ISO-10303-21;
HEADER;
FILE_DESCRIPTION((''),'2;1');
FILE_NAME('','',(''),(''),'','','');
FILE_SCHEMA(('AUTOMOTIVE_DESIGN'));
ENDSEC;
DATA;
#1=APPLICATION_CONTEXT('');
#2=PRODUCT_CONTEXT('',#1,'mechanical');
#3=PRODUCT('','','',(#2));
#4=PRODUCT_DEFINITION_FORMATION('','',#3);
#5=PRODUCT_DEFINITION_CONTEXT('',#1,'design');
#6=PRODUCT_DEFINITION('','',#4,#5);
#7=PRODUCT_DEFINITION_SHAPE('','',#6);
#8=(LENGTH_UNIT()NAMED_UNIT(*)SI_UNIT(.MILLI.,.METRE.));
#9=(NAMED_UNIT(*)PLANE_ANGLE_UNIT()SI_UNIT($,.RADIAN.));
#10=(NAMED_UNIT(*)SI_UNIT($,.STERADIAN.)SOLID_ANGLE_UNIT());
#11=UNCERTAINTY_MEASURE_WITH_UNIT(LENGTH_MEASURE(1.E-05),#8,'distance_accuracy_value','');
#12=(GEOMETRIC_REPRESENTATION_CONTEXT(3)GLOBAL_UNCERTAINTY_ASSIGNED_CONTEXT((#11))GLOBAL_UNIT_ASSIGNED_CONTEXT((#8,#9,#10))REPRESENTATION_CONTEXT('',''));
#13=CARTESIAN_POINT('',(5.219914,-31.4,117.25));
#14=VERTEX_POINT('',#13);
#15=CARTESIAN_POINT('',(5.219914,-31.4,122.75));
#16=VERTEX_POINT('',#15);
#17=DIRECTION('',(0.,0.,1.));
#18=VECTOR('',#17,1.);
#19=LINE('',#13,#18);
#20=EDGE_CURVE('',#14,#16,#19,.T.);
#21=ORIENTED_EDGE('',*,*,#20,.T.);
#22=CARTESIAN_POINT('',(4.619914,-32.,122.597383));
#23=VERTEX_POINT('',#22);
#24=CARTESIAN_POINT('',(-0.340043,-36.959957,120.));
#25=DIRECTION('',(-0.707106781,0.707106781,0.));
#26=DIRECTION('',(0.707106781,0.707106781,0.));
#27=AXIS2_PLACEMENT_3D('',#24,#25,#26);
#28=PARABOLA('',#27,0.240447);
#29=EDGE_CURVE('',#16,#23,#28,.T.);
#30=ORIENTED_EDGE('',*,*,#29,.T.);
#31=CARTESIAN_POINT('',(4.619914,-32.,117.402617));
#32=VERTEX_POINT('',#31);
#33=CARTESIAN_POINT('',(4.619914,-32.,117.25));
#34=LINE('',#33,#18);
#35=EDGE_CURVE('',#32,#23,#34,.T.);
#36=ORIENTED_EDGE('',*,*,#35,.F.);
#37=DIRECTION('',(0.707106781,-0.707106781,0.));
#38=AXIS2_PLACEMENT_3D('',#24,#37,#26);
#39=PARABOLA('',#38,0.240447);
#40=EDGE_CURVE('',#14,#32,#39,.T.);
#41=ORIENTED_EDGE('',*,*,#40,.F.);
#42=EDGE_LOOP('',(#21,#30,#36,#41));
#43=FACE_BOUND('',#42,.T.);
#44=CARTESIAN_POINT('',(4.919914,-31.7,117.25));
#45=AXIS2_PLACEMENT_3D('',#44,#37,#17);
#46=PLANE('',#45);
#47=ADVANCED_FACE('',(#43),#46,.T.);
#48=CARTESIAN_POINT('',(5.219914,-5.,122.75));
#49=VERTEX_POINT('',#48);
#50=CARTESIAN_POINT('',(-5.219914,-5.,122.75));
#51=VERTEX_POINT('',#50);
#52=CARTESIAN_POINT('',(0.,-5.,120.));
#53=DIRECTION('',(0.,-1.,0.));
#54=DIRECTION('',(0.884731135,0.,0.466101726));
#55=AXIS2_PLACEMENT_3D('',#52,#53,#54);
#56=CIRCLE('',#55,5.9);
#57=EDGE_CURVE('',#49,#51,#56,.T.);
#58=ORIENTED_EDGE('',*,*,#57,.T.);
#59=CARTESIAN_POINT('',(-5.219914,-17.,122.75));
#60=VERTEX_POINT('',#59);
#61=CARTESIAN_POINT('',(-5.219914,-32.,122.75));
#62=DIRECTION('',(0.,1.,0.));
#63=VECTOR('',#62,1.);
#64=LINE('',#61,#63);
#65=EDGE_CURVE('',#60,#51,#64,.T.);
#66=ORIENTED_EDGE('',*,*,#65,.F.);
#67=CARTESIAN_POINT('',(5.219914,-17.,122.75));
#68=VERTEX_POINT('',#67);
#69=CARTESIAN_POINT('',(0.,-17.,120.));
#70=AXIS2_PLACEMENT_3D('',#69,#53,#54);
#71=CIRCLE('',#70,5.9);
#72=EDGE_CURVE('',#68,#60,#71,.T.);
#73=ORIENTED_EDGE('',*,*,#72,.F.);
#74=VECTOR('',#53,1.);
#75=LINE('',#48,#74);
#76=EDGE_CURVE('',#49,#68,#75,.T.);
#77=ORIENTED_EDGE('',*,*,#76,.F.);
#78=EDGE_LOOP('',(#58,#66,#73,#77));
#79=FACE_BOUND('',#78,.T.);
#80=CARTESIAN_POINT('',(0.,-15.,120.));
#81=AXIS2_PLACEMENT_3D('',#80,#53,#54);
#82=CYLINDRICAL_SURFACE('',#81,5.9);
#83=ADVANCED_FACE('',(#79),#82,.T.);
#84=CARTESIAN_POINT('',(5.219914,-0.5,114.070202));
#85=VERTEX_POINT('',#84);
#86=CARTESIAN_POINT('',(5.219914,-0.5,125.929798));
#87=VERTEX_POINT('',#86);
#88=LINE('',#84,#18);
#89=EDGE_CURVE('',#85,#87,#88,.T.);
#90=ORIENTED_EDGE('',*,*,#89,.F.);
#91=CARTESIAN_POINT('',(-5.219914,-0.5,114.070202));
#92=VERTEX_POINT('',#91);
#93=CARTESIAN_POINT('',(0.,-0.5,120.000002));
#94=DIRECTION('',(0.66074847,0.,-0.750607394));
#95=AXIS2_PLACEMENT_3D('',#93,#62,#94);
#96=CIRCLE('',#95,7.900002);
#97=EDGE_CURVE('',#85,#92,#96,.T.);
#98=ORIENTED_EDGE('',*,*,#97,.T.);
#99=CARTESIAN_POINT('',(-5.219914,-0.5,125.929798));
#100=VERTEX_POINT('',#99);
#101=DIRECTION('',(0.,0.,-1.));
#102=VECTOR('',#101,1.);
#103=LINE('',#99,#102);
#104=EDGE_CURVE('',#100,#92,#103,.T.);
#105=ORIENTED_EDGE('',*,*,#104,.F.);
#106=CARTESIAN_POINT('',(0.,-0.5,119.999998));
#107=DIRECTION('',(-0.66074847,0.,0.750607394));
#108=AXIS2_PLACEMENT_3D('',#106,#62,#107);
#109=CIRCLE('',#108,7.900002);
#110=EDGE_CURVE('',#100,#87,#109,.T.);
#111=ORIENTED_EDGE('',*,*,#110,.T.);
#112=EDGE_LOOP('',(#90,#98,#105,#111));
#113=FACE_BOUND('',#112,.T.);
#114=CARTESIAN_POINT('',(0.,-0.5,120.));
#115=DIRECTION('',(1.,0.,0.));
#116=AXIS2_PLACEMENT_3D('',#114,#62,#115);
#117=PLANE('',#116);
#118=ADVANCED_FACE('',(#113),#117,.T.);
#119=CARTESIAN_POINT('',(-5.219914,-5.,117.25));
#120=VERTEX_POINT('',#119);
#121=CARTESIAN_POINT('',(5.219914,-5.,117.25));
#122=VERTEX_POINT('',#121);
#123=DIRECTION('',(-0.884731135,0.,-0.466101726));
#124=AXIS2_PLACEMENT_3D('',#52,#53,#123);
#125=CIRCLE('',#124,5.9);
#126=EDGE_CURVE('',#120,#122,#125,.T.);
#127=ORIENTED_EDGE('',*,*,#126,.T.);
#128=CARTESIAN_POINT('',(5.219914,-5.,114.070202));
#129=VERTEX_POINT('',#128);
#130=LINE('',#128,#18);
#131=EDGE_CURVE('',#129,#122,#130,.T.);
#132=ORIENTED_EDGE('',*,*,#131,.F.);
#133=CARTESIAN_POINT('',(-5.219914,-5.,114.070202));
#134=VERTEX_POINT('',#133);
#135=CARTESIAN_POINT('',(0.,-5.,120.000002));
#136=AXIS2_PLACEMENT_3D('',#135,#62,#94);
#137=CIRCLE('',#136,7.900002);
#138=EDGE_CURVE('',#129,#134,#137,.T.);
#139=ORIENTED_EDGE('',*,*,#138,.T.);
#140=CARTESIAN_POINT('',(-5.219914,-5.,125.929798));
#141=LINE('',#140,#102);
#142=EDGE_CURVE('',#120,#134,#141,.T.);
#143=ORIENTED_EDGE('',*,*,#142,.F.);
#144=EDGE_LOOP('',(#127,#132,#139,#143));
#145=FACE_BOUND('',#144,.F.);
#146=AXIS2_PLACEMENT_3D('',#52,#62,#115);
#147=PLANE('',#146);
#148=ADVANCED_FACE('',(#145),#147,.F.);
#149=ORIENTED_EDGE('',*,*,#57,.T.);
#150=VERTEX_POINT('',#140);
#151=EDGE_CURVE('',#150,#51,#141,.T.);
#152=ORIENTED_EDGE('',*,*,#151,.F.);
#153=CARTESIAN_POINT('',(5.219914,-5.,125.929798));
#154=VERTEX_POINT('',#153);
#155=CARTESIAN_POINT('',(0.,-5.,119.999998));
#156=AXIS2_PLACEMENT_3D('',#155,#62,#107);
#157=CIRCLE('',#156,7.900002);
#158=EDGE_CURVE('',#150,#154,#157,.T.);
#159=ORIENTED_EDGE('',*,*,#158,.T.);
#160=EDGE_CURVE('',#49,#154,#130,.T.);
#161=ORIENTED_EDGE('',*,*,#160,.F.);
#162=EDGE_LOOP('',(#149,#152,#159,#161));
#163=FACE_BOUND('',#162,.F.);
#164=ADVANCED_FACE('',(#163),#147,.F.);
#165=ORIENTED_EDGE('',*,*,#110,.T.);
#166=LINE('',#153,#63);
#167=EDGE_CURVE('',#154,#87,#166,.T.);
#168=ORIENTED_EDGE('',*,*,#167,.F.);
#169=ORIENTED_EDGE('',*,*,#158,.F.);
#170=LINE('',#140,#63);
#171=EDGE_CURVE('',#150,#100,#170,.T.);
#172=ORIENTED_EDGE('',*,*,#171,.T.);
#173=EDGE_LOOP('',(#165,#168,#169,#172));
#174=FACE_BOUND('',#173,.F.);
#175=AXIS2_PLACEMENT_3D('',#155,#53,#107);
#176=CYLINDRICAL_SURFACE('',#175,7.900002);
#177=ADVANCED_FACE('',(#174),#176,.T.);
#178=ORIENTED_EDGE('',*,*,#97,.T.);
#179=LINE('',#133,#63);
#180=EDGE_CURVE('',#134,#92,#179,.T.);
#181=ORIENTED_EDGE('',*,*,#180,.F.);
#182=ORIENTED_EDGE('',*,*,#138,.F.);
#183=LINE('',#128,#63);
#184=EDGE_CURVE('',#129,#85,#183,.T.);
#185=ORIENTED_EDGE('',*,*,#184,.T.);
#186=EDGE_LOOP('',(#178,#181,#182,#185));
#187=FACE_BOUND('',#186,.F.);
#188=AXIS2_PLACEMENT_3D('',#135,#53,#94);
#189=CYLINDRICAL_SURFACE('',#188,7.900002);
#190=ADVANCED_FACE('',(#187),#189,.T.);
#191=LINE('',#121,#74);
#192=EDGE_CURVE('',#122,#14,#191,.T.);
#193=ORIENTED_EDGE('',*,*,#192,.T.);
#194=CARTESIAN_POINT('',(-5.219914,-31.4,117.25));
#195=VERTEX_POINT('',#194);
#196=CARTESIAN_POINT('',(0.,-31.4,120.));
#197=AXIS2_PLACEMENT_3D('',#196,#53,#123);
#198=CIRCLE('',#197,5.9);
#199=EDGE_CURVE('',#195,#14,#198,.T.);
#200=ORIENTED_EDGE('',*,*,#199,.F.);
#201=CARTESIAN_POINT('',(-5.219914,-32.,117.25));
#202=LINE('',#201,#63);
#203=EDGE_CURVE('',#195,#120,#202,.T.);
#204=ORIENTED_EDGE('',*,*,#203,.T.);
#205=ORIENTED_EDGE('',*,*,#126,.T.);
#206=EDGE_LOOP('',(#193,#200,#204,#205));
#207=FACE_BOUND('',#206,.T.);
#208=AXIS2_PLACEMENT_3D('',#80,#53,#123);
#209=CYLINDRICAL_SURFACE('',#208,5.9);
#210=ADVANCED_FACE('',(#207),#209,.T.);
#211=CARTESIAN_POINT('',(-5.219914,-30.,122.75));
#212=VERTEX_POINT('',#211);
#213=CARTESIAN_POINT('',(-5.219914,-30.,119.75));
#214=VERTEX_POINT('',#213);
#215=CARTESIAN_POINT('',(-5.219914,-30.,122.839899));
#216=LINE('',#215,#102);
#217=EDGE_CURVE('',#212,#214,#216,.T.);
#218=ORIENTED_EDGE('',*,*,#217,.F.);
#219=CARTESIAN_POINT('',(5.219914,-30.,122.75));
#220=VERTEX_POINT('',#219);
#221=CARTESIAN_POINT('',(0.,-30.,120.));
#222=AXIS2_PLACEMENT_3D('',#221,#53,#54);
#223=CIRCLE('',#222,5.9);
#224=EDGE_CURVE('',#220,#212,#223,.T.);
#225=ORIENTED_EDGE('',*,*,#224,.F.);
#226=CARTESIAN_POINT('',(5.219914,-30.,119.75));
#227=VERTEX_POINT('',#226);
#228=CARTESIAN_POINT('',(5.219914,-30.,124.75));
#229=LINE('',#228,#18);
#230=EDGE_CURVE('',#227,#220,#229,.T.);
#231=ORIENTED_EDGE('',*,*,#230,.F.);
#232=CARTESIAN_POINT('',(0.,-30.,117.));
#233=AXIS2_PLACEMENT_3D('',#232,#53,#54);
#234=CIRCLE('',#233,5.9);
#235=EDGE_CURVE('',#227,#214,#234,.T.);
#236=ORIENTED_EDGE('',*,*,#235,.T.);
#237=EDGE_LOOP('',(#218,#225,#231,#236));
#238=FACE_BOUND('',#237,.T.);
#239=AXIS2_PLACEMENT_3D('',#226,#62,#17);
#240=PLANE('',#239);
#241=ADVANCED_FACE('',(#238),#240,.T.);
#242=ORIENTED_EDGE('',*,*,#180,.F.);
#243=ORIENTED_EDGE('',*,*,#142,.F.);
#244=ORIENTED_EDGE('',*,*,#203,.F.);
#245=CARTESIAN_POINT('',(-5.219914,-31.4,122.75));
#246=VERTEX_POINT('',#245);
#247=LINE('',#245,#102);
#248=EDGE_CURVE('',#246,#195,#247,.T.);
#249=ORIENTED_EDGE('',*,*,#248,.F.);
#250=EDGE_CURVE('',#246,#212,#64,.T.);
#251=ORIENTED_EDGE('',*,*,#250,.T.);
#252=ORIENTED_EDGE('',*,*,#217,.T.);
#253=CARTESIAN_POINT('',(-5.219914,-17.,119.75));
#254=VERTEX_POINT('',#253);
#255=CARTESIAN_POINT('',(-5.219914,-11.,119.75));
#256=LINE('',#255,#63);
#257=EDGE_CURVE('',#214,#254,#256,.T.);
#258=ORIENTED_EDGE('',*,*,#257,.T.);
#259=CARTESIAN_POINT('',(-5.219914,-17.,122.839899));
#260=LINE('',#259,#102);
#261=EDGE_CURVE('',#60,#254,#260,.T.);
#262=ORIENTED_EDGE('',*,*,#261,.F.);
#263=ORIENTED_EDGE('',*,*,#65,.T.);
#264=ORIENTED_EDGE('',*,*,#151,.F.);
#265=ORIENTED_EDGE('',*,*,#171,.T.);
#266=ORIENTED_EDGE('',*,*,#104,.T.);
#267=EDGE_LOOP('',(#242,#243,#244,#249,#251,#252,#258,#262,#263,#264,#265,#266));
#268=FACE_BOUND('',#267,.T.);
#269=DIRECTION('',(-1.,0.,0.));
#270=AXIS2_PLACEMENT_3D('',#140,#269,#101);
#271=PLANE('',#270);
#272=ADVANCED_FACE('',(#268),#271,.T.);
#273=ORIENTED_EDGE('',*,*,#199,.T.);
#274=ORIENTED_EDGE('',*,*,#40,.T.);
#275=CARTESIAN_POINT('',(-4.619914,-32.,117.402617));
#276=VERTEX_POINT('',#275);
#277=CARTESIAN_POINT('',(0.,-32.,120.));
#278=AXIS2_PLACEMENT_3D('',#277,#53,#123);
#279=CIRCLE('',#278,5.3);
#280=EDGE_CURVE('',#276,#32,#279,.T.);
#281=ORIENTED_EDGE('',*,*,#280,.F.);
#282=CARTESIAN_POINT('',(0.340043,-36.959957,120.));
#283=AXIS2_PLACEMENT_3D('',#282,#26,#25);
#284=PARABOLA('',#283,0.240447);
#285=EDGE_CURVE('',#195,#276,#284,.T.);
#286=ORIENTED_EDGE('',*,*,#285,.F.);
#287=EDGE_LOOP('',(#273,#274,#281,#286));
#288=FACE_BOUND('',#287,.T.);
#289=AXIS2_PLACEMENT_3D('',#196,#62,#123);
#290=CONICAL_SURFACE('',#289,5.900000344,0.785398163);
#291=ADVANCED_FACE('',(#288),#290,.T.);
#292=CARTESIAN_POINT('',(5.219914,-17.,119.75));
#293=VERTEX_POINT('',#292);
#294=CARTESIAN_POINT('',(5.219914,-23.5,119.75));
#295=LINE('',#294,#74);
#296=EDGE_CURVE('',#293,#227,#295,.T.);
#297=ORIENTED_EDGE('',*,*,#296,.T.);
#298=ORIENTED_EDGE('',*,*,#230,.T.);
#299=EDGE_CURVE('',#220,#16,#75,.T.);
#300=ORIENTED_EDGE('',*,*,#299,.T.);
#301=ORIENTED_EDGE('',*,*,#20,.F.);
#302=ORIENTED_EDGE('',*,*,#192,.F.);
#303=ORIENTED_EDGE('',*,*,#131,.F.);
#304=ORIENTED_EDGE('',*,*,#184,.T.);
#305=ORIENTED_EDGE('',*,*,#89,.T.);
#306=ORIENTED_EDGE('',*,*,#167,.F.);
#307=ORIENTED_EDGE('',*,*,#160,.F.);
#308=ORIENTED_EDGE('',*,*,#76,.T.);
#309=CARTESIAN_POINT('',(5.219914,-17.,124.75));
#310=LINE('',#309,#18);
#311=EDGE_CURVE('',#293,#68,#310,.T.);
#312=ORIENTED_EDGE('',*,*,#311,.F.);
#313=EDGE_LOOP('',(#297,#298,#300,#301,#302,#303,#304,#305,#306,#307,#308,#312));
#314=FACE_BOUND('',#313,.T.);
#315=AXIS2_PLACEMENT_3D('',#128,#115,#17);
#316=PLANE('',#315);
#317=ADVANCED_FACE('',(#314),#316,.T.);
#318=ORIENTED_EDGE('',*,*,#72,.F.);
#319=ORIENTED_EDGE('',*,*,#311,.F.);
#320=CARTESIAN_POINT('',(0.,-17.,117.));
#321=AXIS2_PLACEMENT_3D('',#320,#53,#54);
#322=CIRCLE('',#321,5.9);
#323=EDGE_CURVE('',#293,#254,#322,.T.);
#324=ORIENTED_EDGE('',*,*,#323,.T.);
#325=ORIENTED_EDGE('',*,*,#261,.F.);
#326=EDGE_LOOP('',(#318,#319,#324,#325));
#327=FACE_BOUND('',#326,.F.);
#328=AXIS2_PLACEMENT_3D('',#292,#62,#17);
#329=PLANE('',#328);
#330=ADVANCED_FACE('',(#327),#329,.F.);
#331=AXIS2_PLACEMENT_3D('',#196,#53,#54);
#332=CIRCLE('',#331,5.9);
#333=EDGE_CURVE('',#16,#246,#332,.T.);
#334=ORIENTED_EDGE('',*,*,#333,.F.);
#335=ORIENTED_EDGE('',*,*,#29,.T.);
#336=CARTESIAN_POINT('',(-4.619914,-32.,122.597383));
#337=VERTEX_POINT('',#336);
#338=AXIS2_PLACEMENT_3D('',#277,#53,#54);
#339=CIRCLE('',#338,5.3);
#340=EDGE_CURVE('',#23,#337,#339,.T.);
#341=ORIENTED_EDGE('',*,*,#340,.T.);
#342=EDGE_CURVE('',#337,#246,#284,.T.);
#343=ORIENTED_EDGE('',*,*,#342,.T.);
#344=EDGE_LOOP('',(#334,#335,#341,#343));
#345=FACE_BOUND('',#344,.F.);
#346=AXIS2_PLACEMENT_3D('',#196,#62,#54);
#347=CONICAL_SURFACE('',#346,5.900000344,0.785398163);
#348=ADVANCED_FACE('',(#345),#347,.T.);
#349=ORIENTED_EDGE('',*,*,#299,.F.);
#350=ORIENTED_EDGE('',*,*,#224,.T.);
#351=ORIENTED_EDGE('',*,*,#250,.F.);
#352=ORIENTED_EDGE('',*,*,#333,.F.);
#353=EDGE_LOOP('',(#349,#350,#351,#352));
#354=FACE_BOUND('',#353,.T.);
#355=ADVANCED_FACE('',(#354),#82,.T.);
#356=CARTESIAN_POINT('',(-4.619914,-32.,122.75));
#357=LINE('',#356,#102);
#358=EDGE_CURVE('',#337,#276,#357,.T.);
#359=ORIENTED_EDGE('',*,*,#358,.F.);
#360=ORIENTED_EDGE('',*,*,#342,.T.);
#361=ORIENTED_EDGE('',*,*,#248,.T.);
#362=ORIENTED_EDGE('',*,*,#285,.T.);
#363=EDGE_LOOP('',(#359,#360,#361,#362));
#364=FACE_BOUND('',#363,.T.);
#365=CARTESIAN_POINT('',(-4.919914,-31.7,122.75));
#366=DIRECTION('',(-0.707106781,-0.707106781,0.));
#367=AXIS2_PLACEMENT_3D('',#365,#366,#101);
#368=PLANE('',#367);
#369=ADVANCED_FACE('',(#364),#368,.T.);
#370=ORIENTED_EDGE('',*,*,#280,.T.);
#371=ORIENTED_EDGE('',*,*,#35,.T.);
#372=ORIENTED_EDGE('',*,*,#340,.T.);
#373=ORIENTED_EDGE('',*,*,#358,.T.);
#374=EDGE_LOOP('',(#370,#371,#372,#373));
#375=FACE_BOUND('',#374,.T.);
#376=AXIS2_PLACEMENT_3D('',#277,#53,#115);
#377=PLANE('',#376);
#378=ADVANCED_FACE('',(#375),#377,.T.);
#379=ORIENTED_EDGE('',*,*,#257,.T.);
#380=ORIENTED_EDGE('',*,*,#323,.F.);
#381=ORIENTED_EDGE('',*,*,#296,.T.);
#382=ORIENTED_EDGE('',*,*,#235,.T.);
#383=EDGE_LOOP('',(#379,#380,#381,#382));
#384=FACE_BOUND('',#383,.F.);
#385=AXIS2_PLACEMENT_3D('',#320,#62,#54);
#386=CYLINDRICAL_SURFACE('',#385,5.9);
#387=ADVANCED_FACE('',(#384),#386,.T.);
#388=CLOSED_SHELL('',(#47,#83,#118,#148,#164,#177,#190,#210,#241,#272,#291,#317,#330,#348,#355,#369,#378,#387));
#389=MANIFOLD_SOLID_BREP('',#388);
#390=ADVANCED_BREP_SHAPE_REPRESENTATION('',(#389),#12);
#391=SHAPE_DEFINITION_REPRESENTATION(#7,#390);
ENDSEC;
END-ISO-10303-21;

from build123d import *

# Parameters (mm, degrees)
PAD001002_DEPTH      = 17
PAD001002_DEPTH_BACK = 10
PAD001003_DEPTH      = 4.5
SKETCH006_W          = 10
SKETCH006_H          = 13
POCKET002_DEPTH      = 10.440828
CHAMFER_SIZE         = 0.6
PAD001004_DEPTH      = 13


with BuildPart() as part:
    # Sketch004 → Pad001002 (new body, two sides)
    with BuildSketch(Plane.XZ.offset(15)) as pad001002_sk:
        with BuildLine():
            ThreePointArc((-5.219914, 117.25), (0, 114.1), (5.219914, 117.25))
            Line((5.219914, 117.25), (5.219914, 122.75))
            ThreePointArc((5.219914, 122.75), (0, 125.9), (-5.219914, 122.75))
            Line((-5.219914, 122.75), (-5.219914, 117.25))
        make_face()
    extrude(amount=PAD001002_DEPTH)
    extrude(pad001002_sk.sketch, amount=-PAD001002_DEPTH_BACK)

    # Sketch005 → Pad001003 (new body)
    with BuildSketch(Plane(origin=(0, -5, 0), x_dir=(1, 0, 0), z_dir=(0, 1, 0))):
        with BuildLine():
            ThreePointArc((5.219914, -114.070202), (0, -112.1), (-5.219914, -114.070202))
            Line((-5.219914, -125.929798), (-5.219914, -114.070202))
            ThreePointArc((-5.219914, -125.929798), (0, -127.9), (5.219914, -125.929798))
            Line((5.219914, -114.070202), (5.219914, -125.929798))
        make_face()
    extrude(amount=PAD001003_DEPTH)

    # Sketch006 → Pocket002 (cut, through all)
    with BuildSketch(Plane(origin=(5.219914, -15, 0), x_dir=(0, 0, 1), z_dir=(1, 0, 0))):
        with Locations((124.75, 8.5)):
            Rectangle(SKETCH006_W, SKETCH006_H)
    extrude(amount=-POCKET002_DEPTH, mode=Mode.SUBTRACT)

    # Chamfer
    chamfer_edges = [part.edges().sort_by_distance(p)[0] for p in [
        (0, -32, 114.1),
        (5.219914, -32, 120),
        (0, -32, 125.9),
        (-5.219914, -32, 120),
    ]]
    chamfer(chamfer_edges, length=CHAMFER_SIZE)

    # Sketch007 → Pad001004 (new body)
    with BuildSketch(Plane.XZ.offset(17)):
        with BuildLine():
            ThreePointArc((5.219914, 119.75), (0, 122.9), (-5.219914, 119.75))
            Line((-5.219914, 119.75), (5.219914, 119.75))
        make_face()
    extrude(amount=PAD001004_DEPTH)


solid = part.part
